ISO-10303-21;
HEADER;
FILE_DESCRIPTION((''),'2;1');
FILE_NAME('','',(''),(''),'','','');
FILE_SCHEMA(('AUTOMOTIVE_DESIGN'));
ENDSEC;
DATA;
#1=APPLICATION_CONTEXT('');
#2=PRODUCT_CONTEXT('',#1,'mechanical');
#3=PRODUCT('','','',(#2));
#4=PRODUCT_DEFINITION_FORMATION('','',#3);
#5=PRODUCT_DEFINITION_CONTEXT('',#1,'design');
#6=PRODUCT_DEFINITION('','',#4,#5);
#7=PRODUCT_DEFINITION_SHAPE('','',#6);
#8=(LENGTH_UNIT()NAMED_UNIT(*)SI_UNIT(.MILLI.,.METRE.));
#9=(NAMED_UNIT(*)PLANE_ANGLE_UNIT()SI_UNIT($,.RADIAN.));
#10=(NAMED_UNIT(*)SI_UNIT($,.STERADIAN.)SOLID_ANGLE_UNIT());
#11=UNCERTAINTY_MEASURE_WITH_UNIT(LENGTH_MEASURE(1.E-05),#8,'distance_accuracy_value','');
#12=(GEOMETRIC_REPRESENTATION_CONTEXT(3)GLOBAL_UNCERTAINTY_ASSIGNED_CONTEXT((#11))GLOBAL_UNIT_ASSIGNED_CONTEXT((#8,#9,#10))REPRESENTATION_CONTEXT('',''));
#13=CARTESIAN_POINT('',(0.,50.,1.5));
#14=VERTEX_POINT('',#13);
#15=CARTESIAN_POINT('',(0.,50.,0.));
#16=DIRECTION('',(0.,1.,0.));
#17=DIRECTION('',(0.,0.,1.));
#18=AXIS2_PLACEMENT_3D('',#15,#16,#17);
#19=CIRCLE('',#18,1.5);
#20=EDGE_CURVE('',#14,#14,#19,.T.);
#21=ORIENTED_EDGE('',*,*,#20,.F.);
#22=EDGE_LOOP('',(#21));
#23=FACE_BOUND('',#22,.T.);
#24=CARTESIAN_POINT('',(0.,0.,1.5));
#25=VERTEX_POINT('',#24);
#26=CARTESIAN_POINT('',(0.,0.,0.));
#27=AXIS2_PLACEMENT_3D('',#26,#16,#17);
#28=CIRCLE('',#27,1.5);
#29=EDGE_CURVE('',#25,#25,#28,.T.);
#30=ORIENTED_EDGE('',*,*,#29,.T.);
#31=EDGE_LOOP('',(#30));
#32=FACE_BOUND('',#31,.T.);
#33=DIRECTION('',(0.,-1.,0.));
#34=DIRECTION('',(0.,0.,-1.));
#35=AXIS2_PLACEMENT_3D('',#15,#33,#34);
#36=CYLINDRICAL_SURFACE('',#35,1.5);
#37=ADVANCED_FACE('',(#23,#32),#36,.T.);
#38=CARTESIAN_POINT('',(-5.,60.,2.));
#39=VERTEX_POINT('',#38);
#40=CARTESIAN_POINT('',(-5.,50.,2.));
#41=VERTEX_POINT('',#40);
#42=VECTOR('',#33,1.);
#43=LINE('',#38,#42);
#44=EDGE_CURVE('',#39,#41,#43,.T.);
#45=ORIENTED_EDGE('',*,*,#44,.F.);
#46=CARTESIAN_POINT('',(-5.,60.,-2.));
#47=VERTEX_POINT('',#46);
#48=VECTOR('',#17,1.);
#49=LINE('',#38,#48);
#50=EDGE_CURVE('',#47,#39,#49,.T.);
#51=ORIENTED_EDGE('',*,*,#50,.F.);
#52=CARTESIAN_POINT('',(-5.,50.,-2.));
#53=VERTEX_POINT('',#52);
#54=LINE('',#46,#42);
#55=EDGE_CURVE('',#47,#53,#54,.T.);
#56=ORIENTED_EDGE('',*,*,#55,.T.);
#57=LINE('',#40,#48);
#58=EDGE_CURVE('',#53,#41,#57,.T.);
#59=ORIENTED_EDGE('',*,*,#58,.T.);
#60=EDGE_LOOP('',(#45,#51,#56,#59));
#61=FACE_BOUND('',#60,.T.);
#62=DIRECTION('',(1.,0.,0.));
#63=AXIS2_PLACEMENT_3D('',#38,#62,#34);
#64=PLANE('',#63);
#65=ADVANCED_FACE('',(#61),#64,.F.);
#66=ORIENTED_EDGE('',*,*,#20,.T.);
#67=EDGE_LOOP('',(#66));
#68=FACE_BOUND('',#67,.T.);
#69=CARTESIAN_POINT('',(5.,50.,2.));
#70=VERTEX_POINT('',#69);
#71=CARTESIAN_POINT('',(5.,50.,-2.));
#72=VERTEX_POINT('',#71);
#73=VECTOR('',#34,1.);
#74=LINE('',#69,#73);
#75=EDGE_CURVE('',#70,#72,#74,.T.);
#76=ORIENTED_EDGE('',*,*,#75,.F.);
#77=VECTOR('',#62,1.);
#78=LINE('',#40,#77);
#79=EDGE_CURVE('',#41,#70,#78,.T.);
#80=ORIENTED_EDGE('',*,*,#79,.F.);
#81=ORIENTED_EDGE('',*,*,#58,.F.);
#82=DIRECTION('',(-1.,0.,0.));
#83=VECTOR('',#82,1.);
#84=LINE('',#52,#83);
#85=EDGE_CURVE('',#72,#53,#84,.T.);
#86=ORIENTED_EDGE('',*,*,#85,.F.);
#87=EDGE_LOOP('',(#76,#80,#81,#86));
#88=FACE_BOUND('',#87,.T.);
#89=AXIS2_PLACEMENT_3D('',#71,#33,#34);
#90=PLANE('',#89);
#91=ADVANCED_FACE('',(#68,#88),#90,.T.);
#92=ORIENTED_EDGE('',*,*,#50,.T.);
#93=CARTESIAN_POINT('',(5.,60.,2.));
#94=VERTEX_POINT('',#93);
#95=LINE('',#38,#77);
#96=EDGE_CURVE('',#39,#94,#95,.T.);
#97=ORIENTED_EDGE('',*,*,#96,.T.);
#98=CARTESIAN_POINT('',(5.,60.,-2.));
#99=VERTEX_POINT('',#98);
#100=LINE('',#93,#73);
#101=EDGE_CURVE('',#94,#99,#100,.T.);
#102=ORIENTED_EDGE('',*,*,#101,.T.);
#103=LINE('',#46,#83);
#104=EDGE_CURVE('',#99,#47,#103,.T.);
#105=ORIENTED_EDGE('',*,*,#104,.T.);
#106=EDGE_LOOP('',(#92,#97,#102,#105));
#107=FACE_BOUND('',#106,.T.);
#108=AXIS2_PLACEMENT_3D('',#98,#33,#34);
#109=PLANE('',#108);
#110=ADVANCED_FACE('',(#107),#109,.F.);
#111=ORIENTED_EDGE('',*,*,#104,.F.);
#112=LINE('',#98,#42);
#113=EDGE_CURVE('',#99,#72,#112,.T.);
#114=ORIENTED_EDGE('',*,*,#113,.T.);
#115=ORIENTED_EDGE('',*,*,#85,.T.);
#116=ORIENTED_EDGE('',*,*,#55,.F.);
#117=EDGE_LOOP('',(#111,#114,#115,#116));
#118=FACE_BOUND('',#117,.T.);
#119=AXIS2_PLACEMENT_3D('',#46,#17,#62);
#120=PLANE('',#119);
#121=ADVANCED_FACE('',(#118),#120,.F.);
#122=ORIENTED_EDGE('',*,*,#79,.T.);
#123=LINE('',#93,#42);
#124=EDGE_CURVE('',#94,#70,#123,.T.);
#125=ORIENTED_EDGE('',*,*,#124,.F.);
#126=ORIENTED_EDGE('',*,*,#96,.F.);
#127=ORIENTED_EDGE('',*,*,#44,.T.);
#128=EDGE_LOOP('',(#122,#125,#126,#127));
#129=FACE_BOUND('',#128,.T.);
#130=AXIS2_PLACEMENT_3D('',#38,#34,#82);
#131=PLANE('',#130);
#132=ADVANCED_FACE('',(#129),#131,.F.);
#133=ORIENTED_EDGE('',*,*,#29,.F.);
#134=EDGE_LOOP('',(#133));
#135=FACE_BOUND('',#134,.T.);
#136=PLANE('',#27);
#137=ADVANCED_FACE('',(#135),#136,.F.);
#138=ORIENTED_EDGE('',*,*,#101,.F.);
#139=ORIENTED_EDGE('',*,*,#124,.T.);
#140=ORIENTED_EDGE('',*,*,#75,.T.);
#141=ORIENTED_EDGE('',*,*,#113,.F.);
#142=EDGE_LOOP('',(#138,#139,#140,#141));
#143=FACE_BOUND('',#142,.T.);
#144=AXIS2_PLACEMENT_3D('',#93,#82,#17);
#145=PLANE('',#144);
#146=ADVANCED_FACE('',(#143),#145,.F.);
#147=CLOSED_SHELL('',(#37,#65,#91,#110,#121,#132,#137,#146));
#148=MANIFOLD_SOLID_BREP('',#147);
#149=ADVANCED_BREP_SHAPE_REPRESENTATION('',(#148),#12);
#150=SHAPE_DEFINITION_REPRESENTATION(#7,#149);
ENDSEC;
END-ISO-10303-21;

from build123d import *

# Parameters (mm, degrees)
SKETCH1_R           = 1.5
BOSS_EXTRUDE1_DEPTH = 50
SKETCH2_W           = 10
SKETCH2_H           = 4
BOSS_EXTRUDE2_DEPTH = 10


with BuildPart() as part:
    # Sketch1 → Boss-Extrude1 (new body)
    with BuildSketch(Plane(origin=(0, 0, 0), x_dir=(1, 0, 0), z_dir=(0, 1, 0))):
        with Locations(Location((0, 0, 0), (0, 0, 270))):
            Circle(SKETCH1_R)
    extrude(amount=BOSS_EXTRUDE1_DEPTH)

    # Sketch2 → Boss-Extrude2 (add)
    with BuildSketch(Plane(origin=(0, 50, 0), x_dir=(1, 0, 0), z_dir=(0, 1, 0))):
        Rectangle(SKETCH2_W, SKETCH2_H)
    extrude(amount=BOSS_EXTRUDE2_DEPTH)


solid = part.part
